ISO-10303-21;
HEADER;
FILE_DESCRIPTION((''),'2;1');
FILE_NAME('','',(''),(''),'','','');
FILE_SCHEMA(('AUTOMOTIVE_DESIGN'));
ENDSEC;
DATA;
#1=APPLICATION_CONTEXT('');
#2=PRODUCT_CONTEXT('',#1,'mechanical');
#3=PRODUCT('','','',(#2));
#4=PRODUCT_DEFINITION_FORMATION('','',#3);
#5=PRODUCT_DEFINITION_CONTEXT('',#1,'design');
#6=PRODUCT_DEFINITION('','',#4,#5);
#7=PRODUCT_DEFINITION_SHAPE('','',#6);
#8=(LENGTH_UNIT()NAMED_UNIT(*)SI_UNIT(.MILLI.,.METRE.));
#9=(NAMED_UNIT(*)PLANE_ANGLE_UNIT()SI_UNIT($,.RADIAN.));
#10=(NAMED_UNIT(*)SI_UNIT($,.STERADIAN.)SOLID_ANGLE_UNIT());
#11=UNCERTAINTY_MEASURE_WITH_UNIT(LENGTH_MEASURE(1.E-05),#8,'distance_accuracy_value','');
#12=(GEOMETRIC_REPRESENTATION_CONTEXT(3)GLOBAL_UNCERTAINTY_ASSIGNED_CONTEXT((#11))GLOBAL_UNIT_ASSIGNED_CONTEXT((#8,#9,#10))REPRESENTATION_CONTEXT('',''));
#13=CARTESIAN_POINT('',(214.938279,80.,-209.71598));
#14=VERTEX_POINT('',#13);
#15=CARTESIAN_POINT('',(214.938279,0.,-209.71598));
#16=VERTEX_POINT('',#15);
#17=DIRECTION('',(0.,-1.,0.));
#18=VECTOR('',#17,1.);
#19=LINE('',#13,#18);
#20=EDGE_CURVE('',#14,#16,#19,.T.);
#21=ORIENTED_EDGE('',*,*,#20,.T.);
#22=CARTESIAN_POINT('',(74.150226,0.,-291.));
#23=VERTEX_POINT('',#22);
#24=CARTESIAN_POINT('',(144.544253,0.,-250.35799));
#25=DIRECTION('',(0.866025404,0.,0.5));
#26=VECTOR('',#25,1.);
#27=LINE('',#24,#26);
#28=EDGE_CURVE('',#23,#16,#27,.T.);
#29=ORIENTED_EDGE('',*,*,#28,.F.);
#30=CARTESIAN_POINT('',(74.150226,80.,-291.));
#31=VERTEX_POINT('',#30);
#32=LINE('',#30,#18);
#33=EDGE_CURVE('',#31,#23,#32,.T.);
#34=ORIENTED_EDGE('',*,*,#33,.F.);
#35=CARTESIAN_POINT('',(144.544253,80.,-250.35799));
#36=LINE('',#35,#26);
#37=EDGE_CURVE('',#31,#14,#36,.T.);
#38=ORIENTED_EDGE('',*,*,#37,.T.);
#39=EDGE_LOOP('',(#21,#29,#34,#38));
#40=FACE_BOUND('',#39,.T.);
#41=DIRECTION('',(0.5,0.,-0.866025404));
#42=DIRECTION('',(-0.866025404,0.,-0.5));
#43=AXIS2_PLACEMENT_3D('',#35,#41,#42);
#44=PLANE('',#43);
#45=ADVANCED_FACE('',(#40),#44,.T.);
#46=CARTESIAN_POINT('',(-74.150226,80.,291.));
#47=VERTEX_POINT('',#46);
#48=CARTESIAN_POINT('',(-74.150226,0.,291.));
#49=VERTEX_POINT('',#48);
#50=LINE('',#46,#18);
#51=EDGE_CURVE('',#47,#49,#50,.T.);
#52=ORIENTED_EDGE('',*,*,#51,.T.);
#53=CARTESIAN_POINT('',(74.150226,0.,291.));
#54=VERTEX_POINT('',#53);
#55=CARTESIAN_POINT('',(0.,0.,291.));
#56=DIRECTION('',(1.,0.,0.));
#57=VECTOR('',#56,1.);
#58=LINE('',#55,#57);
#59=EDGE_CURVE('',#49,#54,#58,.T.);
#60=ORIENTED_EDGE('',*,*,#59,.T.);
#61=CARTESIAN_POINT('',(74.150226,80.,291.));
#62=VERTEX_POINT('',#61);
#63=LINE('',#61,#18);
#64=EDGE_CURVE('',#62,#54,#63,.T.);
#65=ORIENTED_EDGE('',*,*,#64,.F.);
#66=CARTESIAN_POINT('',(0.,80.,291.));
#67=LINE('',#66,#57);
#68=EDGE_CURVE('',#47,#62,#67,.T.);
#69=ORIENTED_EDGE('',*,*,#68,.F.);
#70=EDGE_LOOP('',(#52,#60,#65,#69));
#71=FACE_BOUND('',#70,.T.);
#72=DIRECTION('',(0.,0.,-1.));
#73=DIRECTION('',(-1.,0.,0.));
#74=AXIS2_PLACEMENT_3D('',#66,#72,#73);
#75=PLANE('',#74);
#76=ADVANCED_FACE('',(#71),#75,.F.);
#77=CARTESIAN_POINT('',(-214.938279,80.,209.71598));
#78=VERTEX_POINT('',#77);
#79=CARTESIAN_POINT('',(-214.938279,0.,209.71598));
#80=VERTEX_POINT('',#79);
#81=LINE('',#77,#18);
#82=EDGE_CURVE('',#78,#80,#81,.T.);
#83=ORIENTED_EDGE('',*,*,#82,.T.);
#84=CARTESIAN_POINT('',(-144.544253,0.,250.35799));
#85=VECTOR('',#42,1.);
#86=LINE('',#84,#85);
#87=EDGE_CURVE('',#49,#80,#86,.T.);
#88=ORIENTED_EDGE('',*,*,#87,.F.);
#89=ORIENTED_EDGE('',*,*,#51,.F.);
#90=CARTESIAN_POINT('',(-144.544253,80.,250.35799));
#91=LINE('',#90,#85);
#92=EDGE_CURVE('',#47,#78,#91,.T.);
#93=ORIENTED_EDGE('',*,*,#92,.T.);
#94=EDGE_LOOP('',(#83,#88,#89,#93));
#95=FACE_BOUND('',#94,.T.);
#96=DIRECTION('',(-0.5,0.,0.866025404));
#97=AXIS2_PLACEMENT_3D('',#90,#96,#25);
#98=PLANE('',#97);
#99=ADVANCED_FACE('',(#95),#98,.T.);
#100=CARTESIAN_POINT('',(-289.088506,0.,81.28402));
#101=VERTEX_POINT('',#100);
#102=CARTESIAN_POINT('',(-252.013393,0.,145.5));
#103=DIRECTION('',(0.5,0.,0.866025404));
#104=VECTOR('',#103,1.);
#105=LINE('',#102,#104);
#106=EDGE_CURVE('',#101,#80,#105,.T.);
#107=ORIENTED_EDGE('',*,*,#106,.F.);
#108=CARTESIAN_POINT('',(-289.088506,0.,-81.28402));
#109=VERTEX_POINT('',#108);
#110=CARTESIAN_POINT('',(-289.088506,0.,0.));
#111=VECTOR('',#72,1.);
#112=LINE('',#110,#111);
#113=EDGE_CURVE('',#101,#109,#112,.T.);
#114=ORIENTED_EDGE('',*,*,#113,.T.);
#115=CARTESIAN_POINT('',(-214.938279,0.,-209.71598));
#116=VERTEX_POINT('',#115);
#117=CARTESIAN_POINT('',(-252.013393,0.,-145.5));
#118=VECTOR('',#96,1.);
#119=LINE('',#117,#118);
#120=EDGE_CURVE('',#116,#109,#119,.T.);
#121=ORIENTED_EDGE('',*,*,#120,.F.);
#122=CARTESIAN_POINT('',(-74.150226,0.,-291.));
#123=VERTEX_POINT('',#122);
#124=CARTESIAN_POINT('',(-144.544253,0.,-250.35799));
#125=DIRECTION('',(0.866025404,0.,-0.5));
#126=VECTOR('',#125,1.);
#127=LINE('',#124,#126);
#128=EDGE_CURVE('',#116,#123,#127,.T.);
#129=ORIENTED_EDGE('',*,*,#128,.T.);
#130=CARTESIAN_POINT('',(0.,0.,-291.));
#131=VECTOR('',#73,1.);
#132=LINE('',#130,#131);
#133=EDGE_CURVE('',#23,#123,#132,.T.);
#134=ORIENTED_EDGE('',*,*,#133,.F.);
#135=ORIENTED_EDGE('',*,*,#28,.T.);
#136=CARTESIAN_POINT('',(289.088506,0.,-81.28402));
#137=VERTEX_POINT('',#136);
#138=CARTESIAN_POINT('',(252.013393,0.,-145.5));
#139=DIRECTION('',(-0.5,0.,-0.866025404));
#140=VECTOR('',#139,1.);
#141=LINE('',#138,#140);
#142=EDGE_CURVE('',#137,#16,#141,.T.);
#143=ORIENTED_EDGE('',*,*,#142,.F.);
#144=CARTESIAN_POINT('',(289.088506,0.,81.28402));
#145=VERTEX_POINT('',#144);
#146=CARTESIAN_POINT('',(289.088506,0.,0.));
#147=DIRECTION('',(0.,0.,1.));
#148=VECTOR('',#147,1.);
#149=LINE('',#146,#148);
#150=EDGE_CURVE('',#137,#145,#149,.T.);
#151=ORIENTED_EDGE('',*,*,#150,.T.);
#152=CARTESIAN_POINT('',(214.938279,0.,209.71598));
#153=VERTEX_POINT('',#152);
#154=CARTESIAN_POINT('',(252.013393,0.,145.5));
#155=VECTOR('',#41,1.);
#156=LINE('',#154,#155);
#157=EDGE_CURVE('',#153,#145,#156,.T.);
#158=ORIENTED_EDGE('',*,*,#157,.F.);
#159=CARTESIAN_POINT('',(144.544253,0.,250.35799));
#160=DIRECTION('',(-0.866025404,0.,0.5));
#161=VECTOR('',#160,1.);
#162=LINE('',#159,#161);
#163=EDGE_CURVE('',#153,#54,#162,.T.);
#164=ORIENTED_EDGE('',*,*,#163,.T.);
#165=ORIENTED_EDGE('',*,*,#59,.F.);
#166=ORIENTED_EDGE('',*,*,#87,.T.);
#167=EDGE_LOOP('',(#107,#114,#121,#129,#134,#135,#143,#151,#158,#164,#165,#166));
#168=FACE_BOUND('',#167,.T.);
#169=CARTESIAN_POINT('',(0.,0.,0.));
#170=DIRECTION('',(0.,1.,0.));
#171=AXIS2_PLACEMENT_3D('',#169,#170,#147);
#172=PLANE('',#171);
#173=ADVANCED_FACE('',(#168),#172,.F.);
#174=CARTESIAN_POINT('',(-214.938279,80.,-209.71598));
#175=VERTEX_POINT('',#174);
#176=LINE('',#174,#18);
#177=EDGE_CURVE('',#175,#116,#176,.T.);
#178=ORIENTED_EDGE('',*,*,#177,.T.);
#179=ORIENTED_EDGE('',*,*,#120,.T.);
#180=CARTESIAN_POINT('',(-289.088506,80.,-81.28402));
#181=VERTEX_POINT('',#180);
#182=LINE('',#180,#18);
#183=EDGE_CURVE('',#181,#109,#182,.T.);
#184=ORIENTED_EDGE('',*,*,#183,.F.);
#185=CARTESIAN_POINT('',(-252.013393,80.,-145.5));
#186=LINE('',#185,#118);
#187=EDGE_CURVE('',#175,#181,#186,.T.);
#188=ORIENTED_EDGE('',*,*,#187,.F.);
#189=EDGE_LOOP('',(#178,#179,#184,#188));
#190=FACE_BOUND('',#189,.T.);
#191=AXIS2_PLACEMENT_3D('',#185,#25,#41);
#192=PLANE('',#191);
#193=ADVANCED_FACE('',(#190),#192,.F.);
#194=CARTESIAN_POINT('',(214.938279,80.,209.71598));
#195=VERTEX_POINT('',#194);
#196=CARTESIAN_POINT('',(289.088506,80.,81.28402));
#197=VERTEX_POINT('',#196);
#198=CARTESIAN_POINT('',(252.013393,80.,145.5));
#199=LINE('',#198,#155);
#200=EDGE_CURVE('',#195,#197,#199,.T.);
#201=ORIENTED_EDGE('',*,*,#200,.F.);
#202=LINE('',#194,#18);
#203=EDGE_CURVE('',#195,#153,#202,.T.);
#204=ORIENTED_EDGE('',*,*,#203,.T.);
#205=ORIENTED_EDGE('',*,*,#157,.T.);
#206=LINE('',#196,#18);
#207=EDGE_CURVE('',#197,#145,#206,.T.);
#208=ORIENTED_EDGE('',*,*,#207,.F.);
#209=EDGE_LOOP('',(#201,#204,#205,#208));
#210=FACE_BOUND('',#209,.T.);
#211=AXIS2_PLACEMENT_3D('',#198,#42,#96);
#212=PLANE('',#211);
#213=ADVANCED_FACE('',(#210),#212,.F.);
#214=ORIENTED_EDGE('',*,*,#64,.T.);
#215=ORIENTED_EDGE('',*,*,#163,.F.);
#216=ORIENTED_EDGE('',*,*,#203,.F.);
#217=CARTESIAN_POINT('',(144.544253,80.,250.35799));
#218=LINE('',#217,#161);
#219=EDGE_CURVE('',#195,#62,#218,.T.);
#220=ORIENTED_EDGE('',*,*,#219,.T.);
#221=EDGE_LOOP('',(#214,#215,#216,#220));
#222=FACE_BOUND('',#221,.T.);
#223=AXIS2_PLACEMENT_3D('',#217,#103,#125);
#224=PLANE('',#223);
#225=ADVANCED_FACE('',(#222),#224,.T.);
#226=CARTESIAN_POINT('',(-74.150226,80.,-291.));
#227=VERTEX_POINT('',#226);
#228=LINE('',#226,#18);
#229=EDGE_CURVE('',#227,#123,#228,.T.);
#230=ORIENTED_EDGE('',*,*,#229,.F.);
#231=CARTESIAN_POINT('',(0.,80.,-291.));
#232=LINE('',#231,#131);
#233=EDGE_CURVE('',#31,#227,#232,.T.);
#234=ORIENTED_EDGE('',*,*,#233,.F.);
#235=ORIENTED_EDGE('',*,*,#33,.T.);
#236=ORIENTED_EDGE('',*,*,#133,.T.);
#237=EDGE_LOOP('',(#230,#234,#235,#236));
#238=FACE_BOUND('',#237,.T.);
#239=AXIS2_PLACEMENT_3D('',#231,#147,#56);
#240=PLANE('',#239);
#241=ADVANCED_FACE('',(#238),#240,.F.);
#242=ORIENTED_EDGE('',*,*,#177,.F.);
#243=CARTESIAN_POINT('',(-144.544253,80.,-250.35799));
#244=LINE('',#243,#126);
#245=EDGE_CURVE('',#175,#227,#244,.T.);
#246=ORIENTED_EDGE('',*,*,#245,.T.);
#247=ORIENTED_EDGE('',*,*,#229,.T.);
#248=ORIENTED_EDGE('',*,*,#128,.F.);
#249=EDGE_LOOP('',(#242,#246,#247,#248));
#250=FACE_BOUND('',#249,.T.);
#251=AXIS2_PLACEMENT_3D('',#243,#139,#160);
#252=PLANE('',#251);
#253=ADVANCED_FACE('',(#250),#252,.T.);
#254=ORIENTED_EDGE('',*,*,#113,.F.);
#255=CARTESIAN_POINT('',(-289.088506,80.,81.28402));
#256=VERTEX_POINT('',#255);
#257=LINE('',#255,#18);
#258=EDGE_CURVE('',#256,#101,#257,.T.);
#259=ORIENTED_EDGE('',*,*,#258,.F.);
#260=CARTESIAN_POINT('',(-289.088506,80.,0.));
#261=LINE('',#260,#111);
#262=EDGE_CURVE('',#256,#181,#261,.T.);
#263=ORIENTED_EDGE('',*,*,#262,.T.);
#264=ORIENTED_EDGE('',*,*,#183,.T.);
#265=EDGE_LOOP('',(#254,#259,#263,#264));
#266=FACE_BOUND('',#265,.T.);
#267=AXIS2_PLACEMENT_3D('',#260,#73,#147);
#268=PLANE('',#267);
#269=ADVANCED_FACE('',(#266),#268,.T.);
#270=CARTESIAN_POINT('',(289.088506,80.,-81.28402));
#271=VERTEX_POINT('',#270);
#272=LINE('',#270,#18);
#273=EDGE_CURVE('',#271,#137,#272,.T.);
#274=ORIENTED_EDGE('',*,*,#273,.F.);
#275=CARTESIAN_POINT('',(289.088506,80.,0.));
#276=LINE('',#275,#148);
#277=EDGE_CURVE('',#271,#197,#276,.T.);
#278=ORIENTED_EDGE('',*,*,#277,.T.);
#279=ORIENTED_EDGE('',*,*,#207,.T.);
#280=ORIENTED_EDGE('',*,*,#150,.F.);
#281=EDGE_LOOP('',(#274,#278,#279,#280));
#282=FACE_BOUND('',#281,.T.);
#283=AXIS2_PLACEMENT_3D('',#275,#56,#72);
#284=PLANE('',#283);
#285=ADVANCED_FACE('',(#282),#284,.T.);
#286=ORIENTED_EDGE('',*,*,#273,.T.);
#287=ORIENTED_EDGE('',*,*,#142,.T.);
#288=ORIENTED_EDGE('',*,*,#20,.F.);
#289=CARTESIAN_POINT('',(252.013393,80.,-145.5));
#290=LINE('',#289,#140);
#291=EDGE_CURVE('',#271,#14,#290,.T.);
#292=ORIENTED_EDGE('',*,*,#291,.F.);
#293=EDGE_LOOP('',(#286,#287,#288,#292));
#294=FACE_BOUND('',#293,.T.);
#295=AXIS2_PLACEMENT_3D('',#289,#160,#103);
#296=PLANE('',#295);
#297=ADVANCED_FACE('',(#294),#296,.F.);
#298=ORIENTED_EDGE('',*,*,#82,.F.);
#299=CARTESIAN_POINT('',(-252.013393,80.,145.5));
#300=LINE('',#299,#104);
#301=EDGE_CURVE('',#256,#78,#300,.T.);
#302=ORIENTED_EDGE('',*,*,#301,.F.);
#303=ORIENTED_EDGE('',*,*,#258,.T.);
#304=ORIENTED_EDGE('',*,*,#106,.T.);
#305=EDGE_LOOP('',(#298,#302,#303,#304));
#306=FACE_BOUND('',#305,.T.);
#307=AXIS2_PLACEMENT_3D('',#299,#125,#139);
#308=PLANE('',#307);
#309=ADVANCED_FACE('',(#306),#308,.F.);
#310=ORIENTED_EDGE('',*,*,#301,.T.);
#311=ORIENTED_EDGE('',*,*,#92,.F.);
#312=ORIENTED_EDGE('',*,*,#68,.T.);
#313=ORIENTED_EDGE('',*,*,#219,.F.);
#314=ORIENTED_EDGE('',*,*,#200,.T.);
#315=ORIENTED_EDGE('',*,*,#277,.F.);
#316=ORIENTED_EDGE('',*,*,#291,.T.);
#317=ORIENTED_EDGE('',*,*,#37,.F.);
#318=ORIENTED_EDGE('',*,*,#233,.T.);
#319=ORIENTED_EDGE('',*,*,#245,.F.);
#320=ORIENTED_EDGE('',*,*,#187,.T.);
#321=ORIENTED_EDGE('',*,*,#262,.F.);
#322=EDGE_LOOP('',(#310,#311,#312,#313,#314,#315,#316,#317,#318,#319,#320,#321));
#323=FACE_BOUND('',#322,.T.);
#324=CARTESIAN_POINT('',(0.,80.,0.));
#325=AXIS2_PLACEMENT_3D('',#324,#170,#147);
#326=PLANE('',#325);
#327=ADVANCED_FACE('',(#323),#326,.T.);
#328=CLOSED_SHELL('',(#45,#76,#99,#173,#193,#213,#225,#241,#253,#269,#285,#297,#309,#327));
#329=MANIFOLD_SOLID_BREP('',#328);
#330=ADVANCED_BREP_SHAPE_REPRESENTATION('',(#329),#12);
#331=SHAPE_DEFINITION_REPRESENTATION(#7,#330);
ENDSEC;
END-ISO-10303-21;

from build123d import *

# Parameters (mm, degrees)
EXTRUDE_1_DEPTH = 80


with BuildPart() as part:
    # 草图4 → 凸台-拉伸1 (new body)
    with BuildSketch(Plane(origin=(0, 0, 0), x_dir=(1, 0, 0), z_dir=(0, 1, 0))):
        Polygon((-289.088505698, 81.284020248), (-289.088505698, -81.284020248), (-214.938279305, -209.715979752), (-74.150226393, -291), (74.150226393, -291), (214.938279305, -209.715979752), (289.088505698, -81.284020248), (289.088505698, 81.284020248), (214.938279305, 209.715979752), (74.150226393, 291), (-74.150226393, 291), (-214.938279305, 209.715979752), align=None)
    extrude(amount=EXTRUDE_1_DEPTH)


solid = part.part
